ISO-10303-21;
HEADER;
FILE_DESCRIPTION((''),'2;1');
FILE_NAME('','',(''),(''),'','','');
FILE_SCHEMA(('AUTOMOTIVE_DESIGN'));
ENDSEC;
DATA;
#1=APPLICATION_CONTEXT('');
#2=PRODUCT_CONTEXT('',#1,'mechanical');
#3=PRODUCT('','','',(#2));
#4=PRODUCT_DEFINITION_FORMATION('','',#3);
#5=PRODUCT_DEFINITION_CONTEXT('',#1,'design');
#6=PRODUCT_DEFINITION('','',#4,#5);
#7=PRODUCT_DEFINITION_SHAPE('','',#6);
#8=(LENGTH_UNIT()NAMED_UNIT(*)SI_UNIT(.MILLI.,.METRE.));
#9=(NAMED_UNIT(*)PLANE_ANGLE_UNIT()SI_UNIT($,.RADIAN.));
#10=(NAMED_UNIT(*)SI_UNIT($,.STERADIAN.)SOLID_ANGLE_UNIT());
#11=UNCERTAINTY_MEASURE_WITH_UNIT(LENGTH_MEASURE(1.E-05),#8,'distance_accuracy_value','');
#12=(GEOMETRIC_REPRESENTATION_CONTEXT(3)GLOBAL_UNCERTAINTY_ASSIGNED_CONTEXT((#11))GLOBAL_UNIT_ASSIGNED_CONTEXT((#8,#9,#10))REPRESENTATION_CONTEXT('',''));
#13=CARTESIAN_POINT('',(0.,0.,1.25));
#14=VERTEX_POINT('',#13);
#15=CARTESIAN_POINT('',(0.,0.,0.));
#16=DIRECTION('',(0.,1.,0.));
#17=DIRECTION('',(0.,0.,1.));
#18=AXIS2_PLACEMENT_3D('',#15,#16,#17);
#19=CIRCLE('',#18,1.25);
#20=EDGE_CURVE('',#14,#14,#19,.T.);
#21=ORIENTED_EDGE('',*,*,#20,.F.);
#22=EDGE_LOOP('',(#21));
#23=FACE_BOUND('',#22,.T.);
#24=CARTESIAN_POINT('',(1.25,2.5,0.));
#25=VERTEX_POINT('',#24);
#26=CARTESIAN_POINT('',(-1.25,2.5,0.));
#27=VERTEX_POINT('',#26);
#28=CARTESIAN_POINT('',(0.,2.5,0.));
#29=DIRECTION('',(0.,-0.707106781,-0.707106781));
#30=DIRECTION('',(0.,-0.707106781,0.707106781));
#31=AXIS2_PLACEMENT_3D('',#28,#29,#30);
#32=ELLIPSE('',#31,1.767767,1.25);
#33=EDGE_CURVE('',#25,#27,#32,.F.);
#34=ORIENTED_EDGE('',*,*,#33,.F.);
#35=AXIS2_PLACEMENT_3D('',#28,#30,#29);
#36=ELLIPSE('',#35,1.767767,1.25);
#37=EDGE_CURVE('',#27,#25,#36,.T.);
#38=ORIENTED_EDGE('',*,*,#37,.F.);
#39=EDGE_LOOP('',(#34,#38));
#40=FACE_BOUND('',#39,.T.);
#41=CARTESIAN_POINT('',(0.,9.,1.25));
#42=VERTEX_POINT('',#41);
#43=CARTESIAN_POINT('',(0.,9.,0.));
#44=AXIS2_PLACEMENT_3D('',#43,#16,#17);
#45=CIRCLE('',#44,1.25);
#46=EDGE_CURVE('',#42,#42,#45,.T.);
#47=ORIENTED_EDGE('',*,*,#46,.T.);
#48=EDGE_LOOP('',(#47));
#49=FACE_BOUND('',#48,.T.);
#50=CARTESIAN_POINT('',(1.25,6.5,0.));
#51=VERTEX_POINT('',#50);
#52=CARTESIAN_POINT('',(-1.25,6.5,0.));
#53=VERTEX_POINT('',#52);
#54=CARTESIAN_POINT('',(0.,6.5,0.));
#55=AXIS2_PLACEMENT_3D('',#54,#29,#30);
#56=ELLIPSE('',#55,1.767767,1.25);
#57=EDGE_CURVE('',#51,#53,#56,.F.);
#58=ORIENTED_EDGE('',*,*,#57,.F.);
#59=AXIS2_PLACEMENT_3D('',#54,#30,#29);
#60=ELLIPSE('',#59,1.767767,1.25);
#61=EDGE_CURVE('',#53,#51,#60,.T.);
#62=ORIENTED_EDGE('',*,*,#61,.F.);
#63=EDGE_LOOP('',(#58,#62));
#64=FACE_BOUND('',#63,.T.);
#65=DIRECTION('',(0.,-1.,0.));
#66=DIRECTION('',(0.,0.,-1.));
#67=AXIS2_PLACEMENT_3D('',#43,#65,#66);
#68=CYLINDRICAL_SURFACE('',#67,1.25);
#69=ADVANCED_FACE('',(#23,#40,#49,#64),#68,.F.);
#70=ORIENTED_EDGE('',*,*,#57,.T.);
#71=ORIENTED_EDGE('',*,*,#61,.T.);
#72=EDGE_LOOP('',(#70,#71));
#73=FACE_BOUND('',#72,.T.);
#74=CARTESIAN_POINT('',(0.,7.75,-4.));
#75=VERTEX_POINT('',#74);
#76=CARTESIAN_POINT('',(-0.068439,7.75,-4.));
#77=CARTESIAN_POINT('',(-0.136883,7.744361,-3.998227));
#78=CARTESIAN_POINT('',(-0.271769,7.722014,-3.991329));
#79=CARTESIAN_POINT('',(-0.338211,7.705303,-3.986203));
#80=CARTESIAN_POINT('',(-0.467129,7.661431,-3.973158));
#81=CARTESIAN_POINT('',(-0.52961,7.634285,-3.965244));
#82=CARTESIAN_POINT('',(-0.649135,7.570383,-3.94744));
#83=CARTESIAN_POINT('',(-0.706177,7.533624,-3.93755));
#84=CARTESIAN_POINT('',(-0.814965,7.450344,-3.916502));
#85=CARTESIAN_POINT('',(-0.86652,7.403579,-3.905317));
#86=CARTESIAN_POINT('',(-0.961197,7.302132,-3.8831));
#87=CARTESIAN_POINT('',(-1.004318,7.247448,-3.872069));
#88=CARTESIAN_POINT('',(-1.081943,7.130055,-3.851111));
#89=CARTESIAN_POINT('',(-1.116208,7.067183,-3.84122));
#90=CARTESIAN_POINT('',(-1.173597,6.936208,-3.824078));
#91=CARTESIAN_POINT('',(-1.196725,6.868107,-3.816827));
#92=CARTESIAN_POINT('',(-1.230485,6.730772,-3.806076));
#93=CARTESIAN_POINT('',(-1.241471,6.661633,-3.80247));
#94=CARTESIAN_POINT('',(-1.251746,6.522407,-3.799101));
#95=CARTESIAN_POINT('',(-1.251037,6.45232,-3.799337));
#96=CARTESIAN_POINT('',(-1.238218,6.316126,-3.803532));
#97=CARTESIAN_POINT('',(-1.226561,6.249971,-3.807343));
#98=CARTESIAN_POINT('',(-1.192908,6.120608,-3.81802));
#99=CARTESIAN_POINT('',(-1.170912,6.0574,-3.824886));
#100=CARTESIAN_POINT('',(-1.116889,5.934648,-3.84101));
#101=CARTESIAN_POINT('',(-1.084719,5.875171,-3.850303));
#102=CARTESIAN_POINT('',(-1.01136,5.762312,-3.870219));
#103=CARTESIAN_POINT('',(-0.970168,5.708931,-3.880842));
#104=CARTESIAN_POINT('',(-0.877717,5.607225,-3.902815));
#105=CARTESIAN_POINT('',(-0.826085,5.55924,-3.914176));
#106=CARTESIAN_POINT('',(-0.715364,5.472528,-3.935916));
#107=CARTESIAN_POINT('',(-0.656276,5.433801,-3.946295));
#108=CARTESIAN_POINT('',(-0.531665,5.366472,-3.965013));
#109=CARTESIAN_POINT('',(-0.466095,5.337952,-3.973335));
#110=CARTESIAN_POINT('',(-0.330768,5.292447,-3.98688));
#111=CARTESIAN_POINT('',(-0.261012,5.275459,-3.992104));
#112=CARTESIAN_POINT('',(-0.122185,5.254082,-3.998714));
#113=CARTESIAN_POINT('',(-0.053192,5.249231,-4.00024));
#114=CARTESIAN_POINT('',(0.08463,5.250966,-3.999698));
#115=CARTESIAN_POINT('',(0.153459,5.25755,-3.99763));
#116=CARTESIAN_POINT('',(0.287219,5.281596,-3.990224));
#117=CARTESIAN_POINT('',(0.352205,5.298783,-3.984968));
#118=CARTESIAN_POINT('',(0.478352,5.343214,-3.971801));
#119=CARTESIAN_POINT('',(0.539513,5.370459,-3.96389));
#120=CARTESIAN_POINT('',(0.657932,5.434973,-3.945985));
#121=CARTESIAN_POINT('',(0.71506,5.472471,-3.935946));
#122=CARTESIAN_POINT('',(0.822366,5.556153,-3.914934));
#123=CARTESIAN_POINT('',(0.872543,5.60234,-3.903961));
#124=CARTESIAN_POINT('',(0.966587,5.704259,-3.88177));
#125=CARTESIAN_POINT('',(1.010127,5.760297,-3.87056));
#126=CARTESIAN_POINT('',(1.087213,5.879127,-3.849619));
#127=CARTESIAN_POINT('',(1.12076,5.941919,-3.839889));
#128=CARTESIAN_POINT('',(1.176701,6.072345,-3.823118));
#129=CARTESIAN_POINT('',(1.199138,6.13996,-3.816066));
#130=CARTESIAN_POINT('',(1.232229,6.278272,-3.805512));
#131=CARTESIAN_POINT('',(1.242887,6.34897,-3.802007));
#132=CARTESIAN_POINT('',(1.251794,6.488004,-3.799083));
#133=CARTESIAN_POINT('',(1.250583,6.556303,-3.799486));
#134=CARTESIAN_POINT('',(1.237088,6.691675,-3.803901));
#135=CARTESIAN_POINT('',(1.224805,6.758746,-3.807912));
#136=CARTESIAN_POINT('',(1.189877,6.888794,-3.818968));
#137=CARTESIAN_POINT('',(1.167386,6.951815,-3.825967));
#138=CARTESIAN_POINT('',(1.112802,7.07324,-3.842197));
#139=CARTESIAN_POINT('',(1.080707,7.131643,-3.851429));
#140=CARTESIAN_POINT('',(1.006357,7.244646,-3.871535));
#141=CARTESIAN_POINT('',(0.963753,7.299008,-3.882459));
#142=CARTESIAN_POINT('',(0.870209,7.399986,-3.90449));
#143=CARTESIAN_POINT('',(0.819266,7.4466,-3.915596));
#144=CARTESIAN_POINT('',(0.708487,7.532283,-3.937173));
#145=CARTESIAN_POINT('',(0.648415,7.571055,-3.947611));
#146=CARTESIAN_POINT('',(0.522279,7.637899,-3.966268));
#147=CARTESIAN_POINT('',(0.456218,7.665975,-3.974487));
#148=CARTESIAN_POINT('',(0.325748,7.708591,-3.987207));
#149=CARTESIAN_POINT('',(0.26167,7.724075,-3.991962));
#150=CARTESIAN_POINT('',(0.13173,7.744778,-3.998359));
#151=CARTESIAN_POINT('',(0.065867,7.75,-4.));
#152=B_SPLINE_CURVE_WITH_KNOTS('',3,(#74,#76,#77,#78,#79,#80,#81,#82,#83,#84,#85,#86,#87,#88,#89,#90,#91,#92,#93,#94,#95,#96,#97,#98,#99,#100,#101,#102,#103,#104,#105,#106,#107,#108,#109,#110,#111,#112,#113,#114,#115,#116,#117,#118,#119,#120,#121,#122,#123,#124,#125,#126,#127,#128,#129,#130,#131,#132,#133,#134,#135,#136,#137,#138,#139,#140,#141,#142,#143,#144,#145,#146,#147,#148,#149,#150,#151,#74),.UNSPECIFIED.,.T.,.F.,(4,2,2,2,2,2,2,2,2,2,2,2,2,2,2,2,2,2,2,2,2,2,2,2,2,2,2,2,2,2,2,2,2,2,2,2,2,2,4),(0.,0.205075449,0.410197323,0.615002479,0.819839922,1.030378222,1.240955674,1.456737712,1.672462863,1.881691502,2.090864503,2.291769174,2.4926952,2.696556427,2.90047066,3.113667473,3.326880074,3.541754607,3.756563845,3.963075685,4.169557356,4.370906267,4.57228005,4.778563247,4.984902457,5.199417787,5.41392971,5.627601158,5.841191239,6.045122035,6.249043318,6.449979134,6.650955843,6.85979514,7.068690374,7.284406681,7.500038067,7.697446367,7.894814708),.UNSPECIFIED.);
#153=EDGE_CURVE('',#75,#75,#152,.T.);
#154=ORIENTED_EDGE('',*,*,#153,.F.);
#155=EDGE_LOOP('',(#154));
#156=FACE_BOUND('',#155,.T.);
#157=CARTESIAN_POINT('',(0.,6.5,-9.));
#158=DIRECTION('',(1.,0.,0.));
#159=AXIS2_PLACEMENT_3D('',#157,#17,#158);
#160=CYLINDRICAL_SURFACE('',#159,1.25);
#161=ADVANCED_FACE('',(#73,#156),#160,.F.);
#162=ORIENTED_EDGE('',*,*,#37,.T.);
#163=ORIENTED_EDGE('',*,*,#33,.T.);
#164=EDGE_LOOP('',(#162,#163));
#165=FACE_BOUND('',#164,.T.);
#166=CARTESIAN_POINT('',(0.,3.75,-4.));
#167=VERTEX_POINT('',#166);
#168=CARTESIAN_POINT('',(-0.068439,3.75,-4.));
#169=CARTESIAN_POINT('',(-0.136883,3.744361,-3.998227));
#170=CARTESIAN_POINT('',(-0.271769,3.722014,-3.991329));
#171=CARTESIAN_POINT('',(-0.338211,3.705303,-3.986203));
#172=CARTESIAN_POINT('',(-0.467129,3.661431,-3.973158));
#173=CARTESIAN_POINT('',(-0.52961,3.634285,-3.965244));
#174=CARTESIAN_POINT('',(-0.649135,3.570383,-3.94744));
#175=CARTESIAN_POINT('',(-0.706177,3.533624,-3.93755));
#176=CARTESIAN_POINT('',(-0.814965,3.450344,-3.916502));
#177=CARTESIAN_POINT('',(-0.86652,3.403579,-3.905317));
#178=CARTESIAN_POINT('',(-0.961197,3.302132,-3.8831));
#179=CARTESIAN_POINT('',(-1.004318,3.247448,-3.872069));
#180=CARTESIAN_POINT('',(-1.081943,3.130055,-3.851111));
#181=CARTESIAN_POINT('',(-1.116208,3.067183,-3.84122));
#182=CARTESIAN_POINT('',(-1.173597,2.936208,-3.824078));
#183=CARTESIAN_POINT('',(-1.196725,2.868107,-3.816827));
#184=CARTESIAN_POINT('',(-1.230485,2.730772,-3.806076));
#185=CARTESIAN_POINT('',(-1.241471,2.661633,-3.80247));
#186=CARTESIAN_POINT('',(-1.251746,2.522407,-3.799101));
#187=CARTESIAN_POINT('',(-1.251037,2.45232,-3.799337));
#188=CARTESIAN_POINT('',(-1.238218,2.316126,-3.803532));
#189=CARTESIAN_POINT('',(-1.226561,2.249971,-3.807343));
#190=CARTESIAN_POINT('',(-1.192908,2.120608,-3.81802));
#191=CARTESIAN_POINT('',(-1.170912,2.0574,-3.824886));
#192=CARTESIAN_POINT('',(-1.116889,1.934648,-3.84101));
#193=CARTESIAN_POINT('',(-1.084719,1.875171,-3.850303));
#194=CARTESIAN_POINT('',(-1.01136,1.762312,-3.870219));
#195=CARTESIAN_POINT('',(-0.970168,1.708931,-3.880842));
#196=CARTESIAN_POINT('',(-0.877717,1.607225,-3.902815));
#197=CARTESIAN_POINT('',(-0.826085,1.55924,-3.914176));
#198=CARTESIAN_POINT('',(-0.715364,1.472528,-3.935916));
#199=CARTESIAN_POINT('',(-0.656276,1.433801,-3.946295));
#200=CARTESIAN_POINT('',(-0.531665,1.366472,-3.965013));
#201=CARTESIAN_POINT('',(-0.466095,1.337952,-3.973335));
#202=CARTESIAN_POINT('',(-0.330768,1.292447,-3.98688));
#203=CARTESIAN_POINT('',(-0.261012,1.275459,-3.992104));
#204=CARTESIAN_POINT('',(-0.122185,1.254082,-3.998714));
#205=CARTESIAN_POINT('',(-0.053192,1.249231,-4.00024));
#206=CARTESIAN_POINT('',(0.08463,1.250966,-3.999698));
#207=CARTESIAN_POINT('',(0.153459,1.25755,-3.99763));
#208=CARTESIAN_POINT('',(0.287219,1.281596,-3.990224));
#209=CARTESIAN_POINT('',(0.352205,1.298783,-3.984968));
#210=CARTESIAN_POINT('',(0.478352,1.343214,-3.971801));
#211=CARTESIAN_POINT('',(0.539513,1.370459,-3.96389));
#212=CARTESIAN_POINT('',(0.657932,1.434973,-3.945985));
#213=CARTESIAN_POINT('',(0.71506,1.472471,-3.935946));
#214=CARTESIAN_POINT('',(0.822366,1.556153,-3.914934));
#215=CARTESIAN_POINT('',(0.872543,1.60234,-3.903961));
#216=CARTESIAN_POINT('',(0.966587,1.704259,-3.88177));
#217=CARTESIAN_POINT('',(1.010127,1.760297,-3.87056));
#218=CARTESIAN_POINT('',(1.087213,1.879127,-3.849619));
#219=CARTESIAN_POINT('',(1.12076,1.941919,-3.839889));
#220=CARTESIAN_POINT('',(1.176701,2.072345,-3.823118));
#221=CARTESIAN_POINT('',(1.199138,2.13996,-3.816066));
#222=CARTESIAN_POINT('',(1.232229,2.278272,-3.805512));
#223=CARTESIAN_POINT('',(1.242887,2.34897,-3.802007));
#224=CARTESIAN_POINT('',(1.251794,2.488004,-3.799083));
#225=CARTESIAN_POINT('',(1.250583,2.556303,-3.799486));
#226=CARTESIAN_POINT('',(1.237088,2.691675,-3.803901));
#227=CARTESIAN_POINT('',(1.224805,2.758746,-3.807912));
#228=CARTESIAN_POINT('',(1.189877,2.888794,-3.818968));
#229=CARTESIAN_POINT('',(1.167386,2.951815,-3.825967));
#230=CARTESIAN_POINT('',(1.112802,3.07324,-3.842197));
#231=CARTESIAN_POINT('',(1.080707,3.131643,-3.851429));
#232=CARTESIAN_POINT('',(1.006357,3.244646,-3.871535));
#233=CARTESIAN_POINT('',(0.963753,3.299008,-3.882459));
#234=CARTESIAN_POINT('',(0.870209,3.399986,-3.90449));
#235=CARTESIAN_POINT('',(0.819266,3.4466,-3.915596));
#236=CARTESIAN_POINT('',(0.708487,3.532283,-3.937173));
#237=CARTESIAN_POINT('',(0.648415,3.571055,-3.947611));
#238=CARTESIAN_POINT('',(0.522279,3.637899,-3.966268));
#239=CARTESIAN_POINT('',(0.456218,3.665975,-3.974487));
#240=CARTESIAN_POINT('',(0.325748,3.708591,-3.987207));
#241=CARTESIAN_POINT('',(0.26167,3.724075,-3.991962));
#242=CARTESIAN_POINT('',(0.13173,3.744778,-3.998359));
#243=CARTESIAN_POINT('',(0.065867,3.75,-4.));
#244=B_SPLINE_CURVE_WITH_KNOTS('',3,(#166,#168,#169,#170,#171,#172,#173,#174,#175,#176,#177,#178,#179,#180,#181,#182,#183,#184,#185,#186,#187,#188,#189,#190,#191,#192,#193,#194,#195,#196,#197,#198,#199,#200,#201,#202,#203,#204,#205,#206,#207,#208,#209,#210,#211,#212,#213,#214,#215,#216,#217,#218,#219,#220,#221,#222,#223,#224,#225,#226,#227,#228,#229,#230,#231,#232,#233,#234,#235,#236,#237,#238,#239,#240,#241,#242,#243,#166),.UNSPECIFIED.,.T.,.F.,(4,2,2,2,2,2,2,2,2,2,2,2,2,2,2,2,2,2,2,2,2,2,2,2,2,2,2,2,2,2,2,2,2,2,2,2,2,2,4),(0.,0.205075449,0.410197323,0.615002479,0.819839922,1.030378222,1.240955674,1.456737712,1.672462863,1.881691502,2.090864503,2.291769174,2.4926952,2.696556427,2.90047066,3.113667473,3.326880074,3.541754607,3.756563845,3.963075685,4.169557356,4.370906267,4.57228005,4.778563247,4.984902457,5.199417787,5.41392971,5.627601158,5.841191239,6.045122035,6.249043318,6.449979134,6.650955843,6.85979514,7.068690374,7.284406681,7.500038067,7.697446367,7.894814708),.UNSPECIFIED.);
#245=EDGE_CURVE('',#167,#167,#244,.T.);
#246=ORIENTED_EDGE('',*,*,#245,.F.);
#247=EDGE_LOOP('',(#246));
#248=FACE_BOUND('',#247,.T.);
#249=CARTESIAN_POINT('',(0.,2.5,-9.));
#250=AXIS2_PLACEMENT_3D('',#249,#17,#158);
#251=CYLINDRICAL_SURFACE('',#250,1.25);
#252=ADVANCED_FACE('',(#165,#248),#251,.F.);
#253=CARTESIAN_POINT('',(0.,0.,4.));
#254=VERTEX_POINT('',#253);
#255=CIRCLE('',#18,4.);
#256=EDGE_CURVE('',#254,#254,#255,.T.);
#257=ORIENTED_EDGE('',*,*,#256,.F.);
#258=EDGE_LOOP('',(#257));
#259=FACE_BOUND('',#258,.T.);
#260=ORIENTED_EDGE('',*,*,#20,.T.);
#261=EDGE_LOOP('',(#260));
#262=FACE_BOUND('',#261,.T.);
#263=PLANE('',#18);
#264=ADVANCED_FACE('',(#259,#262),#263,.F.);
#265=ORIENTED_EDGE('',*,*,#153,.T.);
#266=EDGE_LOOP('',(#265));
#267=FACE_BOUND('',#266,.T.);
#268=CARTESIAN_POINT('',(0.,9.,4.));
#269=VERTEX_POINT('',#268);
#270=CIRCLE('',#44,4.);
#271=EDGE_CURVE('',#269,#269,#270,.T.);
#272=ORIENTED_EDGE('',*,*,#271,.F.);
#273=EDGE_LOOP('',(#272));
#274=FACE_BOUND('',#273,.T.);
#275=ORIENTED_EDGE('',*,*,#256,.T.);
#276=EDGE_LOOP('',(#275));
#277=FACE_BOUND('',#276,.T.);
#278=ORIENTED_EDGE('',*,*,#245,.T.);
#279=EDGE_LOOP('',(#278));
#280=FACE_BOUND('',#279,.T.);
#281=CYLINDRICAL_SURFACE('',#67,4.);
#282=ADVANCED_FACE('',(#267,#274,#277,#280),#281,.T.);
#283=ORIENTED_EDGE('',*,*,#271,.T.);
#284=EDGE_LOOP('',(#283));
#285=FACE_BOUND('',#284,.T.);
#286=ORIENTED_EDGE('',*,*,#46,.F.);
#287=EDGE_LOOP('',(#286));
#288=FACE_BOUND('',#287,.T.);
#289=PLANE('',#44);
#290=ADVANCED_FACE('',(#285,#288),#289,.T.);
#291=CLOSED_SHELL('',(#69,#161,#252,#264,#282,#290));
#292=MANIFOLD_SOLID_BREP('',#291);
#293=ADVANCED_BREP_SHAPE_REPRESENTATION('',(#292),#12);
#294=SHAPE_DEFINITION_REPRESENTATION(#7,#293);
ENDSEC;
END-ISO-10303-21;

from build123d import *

# Parameters (mm, degrees)
ESBO_O1_R                = 4
ESBO_O1_R_2              = 1.25
RESSALTO_EXTRUS_O1_DEPTH = 9
ESBO_O2_R                = 1.25
CORTE_EXTRUS_O1_DEPTH    = 9


with BuildPart() as part:
    # Esboço1 → Ressalto-extrusão1 (new body)
    with BuildSketch(Plane(origin=(0, 0, 0), x_dir=(1, 0, 0), z_dir=(0, 1, 0))):
        with Locations(Location((0, 0, 0), (0, 0, 270))):
            Circle(ESBO_O1_R)
        with Locations(Location((0, 0, 0), (0, 0, 270))):
            Circle(ESBO_O1_R_2, mode=Mode.SUBTRACT)
    extrude(amount=RESSALTO_EXTRUS_O1_DEPTH)

    # Esboço2 → Corte-extrusão1 (cut)
    with BuildSketch(Plane.XY):
        with Locations((0, 6.5)):
            Circle(ESBO_O2_R)
        with Locations((0, 2.5)):
            Circle(ESBO_O2_R)
    extrude(amount=-CORTE_EXTRUS_O1_DEPTH, mode=Mode.SUBTRACT)


solid = part.part
